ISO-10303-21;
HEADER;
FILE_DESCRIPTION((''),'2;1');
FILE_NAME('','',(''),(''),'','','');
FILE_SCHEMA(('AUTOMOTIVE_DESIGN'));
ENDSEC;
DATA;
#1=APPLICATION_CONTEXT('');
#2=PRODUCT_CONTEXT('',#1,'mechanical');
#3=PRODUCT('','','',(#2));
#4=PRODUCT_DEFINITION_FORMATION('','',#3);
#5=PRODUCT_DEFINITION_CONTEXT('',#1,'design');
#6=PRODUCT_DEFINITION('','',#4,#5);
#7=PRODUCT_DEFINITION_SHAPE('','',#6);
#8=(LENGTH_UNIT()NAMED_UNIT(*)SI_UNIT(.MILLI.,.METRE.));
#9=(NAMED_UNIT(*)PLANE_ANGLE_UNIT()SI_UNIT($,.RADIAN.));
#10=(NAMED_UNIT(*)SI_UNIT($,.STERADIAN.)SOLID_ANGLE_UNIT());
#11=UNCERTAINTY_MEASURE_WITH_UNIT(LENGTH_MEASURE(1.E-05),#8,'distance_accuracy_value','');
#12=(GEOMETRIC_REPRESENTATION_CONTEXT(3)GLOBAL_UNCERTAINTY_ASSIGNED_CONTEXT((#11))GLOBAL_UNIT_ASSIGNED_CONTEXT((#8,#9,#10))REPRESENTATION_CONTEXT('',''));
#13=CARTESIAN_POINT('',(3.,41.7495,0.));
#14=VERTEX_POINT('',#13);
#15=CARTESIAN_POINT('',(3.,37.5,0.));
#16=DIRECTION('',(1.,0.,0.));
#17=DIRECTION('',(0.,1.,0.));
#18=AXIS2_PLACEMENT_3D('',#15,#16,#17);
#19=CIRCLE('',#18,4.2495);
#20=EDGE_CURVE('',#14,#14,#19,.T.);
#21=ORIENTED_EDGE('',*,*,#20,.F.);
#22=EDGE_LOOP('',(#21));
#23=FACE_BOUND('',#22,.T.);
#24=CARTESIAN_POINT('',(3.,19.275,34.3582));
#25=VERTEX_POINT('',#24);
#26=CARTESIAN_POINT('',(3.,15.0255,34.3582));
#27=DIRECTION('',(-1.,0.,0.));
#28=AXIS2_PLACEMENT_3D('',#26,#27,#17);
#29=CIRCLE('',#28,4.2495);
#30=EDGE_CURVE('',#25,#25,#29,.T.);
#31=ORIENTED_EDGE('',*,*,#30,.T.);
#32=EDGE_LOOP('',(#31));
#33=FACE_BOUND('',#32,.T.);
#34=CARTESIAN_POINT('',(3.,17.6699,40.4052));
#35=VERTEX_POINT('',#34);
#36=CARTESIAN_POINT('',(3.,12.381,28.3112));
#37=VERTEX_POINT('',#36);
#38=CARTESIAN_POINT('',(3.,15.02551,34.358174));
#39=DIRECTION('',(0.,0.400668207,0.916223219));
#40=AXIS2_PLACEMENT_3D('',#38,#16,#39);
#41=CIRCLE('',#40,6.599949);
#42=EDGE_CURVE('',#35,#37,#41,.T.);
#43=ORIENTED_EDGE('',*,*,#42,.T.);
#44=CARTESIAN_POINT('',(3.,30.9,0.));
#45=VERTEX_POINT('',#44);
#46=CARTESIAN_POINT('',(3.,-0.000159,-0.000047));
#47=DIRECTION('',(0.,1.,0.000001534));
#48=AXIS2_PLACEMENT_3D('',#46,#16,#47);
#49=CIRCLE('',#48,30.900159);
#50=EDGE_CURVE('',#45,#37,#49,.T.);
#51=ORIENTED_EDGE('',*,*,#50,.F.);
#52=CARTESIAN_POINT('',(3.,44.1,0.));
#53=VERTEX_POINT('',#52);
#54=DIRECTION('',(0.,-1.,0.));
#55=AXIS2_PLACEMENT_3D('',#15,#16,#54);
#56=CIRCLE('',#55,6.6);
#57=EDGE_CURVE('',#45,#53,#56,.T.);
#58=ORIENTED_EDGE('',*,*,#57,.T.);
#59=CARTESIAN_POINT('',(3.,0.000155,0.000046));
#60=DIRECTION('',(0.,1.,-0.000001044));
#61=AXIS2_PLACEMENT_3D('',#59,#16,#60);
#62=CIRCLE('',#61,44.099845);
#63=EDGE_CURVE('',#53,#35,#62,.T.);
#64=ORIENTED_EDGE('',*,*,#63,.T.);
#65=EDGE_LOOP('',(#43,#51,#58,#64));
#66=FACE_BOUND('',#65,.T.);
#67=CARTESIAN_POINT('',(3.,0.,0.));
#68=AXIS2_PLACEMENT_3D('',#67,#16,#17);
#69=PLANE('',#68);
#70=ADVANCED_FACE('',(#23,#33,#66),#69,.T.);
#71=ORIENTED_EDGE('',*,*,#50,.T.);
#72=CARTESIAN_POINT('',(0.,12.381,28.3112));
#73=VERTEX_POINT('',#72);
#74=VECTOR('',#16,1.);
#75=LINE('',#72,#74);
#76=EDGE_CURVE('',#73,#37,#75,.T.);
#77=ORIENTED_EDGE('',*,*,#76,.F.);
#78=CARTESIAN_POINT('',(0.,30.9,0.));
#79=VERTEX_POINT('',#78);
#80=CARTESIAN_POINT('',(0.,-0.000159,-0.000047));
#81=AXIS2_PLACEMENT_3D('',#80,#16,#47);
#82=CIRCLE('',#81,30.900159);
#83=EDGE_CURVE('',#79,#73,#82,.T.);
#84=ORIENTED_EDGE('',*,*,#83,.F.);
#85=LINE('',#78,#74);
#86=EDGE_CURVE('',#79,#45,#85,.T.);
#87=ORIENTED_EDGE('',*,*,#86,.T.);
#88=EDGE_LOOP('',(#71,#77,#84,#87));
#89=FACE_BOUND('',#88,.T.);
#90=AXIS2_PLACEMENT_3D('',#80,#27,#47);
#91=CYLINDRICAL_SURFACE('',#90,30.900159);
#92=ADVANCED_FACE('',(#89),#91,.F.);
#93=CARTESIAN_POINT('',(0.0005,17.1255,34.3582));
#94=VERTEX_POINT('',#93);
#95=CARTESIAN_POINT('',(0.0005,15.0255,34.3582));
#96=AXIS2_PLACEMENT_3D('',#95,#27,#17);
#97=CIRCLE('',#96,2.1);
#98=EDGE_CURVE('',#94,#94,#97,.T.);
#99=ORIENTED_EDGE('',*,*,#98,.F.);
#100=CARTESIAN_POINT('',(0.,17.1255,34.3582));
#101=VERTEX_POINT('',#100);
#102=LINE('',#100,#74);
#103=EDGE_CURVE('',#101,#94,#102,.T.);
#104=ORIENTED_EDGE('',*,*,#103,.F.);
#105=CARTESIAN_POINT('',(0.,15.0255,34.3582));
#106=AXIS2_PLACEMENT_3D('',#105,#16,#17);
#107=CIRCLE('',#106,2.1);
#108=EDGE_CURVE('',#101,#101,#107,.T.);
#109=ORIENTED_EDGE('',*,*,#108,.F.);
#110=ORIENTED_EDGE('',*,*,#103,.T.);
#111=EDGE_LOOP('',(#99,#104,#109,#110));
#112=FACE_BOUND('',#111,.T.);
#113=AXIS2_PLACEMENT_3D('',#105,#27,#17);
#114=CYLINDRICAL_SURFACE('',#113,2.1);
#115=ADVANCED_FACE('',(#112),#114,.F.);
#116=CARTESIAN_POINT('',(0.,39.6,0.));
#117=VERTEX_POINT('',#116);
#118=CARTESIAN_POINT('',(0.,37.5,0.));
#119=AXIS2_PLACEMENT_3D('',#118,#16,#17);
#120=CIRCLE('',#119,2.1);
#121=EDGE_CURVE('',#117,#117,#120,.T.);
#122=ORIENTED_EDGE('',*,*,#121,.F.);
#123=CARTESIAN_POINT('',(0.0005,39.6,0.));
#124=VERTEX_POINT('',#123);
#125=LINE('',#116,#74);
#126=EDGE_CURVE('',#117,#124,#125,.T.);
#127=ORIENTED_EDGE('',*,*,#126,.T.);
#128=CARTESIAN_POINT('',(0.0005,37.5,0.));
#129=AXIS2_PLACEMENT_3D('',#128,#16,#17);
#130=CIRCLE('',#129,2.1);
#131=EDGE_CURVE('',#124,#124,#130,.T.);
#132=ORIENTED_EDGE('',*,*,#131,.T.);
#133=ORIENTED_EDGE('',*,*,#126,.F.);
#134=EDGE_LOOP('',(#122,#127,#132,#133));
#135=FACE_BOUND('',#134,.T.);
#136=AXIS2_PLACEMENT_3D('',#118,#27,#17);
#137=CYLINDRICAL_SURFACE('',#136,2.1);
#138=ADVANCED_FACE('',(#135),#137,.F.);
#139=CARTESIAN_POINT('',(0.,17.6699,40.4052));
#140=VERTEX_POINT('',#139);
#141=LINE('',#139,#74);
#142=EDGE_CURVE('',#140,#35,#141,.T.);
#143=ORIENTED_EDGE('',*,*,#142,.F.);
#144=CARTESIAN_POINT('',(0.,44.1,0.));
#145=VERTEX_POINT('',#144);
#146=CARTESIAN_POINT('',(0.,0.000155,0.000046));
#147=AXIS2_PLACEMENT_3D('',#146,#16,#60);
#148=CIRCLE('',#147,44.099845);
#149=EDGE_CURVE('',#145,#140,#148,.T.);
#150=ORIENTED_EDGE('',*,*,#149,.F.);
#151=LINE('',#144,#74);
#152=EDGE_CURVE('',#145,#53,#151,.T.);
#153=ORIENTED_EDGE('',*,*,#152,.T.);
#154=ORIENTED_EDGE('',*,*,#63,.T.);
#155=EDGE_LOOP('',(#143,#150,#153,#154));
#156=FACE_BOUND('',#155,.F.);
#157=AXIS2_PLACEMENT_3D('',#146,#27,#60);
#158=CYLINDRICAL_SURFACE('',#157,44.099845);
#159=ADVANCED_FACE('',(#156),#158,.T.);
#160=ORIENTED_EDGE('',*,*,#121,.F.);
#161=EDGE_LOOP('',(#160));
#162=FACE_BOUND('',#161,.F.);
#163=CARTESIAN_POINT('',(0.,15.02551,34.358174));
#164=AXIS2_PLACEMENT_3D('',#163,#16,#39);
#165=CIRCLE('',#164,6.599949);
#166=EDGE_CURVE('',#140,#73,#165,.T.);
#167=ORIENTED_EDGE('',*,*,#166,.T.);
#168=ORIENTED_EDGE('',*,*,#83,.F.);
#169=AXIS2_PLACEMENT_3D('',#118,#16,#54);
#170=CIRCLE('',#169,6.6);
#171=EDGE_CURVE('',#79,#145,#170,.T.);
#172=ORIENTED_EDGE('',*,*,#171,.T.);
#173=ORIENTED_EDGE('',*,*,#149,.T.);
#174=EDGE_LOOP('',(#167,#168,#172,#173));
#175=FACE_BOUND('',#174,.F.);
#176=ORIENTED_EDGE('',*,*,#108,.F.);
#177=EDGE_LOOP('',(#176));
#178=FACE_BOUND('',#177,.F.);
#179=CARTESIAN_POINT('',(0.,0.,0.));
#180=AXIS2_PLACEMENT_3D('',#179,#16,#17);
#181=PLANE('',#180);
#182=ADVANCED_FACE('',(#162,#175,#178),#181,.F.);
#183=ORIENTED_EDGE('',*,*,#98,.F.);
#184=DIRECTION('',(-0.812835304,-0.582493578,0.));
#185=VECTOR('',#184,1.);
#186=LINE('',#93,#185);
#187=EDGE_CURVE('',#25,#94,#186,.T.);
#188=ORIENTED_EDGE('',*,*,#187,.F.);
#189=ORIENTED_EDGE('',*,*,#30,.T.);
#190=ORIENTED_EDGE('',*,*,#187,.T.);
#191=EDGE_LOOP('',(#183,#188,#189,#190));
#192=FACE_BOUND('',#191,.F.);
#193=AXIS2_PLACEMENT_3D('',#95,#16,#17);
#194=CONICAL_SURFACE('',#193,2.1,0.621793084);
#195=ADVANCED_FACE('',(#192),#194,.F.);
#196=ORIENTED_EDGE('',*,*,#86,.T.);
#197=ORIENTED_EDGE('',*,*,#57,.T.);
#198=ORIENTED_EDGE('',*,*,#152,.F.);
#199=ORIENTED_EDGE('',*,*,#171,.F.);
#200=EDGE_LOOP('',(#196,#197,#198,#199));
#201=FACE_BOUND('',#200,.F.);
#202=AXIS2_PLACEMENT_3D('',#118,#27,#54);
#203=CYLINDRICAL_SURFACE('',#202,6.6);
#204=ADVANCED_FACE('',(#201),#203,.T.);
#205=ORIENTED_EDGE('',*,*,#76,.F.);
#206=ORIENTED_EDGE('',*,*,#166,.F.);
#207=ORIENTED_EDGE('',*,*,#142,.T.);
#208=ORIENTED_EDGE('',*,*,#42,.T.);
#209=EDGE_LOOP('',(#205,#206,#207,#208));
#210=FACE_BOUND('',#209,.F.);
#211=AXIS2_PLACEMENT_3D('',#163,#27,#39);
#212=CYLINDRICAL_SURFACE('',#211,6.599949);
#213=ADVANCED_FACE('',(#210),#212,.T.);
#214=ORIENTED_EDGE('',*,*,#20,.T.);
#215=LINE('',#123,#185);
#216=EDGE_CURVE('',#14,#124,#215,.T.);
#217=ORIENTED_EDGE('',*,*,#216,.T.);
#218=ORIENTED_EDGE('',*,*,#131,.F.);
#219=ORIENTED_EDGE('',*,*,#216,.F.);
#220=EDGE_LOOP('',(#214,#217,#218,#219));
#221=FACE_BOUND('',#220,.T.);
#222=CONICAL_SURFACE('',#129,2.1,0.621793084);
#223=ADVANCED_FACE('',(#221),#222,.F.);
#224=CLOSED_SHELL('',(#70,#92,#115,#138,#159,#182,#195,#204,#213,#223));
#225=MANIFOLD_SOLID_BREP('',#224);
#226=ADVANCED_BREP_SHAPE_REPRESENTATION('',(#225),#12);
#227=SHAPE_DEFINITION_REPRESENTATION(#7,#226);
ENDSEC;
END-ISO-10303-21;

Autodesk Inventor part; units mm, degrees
ref_plane "YZ Plane" through (0, 0, 0) normal (1, 0, 0) x (0, 1, 0)
ref_plane "XZ Plane" through (0, 0, 0) normal (0, 1, 0) x (-1, 0, 0)
ref_plane "XY Plane" through (0, 0, 0) normal (0, 0, 1) x (1, 0, 0)
sketch "Sketch1" plane through (0, 0, 0) normal (1, 0, 0) x (0, 1, 0)
  arc A0 (30.9, 0) -> (12.381, 28.3112) centre (0, 0) ccw
  arc A1 (44.1, 0) -> (17.6699, 40.4052) centre (0, 0) ccw
  line L0 (12.381, 28.3112) -> (17.6699, 40.4052)
  line L1 (30.9, 0) -> (44.1, 0) construction
  arc A2 (17.6699, 40.4052) -> (12.381, 28.3112) centre (15.0255, 34.3582) ccw
  arc A3 (30.9, 0) -> (44.1, 0) centre (37.5, 0) ccw
  circle A4 centre (15.0255, 34.3582) radius 2.1
  circle A5 centre (37.5, 0) radius 2.1
  dimension "d0" = 61.8
  dimension "d1" = 88.2
  dimension "d2" = 66.379
  dimension "d3" = 4.2
  dimension "d4" = 4.2
extrude "Extrusion1" add sketch "Sketch1" along normal blind 3 contours A0 L0 A4 A1 A3 | A2 L0 A4
chamfer "Chamfer1" distance 2.15 distance2 3 2 edges at (3, 12.9255, 34.3582) (3, 35.4, 0) measured on face at (3, 38.069, 10.7229)
properties part number "Mechanische_Anschlaege_Clip"
